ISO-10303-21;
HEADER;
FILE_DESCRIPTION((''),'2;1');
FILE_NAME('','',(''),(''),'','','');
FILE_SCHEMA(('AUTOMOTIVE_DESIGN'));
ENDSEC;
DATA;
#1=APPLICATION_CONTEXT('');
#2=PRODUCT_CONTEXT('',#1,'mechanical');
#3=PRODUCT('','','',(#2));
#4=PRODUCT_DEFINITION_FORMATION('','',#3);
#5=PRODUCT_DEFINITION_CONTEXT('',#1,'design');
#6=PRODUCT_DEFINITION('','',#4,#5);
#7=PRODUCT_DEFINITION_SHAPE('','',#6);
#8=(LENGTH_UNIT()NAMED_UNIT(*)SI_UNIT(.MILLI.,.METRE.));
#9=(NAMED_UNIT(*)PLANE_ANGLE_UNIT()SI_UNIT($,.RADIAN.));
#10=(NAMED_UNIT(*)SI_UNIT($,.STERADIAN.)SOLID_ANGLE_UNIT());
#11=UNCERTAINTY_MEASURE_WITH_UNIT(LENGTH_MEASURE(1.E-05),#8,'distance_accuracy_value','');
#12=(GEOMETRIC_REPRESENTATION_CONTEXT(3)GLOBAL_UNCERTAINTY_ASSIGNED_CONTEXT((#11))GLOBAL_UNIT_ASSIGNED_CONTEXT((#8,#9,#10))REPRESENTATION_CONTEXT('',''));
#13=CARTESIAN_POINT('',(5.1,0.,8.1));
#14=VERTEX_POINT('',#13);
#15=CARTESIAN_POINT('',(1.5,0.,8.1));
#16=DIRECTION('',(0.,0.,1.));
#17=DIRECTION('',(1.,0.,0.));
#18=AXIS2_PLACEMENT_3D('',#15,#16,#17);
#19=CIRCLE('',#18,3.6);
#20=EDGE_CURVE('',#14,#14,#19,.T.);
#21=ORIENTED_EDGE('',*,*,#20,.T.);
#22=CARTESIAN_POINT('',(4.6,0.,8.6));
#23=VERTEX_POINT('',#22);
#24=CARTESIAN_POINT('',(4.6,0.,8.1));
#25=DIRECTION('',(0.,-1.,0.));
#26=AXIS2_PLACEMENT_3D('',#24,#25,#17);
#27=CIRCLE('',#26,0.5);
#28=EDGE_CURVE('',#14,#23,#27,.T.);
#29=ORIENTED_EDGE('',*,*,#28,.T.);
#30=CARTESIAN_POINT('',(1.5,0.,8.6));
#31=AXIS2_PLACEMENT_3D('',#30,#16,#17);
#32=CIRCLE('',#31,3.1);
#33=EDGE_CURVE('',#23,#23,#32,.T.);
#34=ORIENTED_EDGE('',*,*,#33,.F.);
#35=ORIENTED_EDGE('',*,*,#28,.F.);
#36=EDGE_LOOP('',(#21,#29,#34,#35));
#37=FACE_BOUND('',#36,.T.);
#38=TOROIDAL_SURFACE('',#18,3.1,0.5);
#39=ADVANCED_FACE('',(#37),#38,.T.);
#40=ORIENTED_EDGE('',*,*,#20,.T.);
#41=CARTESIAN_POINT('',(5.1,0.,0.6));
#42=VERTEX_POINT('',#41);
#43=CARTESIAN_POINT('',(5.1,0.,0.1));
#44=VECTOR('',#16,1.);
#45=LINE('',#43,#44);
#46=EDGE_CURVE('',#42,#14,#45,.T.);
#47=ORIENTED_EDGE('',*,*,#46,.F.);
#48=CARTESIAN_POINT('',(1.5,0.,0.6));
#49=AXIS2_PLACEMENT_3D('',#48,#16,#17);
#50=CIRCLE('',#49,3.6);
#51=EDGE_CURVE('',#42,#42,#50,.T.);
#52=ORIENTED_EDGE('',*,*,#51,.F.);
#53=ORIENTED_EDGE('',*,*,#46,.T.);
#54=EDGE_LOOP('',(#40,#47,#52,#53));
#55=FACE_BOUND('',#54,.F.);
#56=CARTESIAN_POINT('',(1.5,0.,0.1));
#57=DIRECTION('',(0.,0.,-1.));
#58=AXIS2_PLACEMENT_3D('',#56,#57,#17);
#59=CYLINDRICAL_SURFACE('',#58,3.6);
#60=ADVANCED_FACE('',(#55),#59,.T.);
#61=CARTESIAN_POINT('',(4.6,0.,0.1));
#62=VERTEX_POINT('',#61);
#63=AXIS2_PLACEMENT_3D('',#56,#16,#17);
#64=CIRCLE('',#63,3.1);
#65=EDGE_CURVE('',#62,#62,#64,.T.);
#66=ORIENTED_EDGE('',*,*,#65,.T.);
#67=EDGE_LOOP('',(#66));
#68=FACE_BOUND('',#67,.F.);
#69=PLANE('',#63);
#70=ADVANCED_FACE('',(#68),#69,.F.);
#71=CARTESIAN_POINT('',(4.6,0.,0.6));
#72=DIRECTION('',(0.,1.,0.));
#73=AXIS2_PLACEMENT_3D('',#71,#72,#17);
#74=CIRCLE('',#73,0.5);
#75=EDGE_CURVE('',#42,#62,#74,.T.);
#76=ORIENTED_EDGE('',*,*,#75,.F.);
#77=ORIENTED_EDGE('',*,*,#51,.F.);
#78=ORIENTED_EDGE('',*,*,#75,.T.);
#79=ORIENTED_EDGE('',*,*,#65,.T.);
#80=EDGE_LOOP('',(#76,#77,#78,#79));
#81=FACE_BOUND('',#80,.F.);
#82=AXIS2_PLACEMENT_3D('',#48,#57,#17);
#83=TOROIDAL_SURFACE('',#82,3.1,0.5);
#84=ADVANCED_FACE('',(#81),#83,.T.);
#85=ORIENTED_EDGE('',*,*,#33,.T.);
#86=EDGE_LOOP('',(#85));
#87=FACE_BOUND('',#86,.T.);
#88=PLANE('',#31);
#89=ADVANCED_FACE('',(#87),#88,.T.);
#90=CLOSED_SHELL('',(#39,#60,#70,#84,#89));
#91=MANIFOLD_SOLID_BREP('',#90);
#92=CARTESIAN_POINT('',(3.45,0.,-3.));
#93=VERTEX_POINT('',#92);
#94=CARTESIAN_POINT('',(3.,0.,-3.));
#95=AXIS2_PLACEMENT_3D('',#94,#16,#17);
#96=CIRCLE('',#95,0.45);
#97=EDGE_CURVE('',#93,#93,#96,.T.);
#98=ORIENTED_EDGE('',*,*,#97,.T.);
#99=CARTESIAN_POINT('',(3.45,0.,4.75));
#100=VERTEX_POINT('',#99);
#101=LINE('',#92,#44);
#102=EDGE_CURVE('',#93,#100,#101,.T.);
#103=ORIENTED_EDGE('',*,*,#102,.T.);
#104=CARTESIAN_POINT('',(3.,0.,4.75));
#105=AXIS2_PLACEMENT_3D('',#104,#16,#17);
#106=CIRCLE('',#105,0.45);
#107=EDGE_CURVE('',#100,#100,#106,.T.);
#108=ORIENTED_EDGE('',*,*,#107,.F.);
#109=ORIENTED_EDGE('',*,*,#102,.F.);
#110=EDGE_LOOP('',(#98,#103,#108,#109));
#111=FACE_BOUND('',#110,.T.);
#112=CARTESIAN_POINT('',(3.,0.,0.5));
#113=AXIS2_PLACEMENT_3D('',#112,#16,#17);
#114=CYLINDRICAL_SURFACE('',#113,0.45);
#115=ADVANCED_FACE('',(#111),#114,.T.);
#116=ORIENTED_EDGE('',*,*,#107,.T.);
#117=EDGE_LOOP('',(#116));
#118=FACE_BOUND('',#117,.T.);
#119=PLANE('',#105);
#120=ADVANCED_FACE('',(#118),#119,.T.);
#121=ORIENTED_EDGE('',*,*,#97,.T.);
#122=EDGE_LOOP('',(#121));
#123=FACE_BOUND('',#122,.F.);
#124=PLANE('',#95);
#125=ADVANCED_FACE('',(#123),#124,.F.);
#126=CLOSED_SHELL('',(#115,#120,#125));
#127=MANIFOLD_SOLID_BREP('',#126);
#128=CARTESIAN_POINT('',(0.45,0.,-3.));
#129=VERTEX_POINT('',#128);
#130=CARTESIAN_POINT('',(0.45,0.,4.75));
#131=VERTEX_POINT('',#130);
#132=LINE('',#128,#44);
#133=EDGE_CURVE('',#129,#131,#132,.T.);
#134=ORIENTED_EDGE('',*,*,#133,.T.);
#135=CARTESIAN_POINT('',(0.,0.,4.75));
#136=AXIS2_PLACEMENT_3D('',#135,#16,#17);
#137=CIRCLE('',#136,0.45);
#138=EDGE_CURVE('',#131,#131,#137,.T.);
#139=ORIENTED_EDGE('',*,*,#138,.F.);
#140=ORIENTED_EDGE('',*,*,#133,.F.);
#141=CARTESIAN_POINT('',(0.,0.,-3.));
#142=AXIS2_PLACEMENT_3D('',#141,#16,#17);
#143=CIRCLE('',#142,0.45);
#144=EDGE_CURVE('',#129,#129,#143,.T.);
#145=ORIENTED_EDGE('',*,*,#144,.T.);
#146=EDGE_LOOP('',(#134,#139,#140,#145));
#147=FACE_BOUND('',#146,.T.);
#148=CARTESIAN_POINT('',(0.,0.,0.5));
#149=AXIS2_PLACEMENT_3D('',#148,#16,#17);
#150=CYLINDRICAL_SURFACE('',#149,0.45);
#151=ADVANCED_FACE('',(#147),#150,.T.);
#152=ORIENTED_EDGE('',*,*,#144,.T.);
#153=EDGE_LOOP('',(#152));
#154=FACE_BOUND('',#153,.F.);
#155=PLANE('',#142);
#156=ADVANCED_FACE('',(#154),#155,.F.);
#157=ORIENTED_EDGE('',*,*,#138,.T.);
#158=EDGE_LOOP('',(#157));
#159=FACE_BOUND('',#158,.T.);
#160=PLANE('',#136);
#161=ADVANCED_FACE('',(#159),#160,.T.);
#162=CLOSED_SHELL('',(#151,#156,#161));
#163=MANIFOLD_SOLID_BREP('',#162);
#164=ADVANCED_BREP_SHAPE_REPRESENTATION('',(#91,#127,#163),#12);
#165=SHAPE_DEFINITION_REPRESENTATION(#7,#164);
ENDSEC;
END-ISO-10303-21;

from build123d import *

# Parameters (mm, degrees)
SKETCH001_R       = 0.45
PAD001_DEPTH      = 4.25
PAD001_DEPTH_BACK = 3.5
SKETCH_R          = 3.6
PAD_DEPTH         = 8.5
FILLET_R          = 0.5


with BuildPart() as pad001:
    # Sketch001 → Pad001 (new body, two sides)
    with BuildSketch(Plane.XY.offset(0.5)) as pad001_sk:
        Circle(SKETCH001_R)
        with Locations((3, 0)):
            Circle(SKETCH001_R)
    extrude(amount=PAD001_DEPTH)
    extrude(pad001_sk.sketch, amount=-PAD001_DEPTH_BACK)


with BuildPart() as fillet_body:
    # Sketch → Pad (new body)
    with BuildSketch(Plane.XY.offset(0.1)):
        with Locations((1.5, 0)):
            Circle(SKETCH_R)
    extrude(amount=PAD_DEPTH)

    # Fillet
    fillet_edges = [fillet_body.edges().sort_by_distance(p)[0] for p in [
        (-2.1, 0, 0.1),
        (-2.1, 0, 8.6),
    ]]
    fillet(fillet_edges, radius=FILLET_R)


solid = Compound([pad001.part, fillet_body.part])
